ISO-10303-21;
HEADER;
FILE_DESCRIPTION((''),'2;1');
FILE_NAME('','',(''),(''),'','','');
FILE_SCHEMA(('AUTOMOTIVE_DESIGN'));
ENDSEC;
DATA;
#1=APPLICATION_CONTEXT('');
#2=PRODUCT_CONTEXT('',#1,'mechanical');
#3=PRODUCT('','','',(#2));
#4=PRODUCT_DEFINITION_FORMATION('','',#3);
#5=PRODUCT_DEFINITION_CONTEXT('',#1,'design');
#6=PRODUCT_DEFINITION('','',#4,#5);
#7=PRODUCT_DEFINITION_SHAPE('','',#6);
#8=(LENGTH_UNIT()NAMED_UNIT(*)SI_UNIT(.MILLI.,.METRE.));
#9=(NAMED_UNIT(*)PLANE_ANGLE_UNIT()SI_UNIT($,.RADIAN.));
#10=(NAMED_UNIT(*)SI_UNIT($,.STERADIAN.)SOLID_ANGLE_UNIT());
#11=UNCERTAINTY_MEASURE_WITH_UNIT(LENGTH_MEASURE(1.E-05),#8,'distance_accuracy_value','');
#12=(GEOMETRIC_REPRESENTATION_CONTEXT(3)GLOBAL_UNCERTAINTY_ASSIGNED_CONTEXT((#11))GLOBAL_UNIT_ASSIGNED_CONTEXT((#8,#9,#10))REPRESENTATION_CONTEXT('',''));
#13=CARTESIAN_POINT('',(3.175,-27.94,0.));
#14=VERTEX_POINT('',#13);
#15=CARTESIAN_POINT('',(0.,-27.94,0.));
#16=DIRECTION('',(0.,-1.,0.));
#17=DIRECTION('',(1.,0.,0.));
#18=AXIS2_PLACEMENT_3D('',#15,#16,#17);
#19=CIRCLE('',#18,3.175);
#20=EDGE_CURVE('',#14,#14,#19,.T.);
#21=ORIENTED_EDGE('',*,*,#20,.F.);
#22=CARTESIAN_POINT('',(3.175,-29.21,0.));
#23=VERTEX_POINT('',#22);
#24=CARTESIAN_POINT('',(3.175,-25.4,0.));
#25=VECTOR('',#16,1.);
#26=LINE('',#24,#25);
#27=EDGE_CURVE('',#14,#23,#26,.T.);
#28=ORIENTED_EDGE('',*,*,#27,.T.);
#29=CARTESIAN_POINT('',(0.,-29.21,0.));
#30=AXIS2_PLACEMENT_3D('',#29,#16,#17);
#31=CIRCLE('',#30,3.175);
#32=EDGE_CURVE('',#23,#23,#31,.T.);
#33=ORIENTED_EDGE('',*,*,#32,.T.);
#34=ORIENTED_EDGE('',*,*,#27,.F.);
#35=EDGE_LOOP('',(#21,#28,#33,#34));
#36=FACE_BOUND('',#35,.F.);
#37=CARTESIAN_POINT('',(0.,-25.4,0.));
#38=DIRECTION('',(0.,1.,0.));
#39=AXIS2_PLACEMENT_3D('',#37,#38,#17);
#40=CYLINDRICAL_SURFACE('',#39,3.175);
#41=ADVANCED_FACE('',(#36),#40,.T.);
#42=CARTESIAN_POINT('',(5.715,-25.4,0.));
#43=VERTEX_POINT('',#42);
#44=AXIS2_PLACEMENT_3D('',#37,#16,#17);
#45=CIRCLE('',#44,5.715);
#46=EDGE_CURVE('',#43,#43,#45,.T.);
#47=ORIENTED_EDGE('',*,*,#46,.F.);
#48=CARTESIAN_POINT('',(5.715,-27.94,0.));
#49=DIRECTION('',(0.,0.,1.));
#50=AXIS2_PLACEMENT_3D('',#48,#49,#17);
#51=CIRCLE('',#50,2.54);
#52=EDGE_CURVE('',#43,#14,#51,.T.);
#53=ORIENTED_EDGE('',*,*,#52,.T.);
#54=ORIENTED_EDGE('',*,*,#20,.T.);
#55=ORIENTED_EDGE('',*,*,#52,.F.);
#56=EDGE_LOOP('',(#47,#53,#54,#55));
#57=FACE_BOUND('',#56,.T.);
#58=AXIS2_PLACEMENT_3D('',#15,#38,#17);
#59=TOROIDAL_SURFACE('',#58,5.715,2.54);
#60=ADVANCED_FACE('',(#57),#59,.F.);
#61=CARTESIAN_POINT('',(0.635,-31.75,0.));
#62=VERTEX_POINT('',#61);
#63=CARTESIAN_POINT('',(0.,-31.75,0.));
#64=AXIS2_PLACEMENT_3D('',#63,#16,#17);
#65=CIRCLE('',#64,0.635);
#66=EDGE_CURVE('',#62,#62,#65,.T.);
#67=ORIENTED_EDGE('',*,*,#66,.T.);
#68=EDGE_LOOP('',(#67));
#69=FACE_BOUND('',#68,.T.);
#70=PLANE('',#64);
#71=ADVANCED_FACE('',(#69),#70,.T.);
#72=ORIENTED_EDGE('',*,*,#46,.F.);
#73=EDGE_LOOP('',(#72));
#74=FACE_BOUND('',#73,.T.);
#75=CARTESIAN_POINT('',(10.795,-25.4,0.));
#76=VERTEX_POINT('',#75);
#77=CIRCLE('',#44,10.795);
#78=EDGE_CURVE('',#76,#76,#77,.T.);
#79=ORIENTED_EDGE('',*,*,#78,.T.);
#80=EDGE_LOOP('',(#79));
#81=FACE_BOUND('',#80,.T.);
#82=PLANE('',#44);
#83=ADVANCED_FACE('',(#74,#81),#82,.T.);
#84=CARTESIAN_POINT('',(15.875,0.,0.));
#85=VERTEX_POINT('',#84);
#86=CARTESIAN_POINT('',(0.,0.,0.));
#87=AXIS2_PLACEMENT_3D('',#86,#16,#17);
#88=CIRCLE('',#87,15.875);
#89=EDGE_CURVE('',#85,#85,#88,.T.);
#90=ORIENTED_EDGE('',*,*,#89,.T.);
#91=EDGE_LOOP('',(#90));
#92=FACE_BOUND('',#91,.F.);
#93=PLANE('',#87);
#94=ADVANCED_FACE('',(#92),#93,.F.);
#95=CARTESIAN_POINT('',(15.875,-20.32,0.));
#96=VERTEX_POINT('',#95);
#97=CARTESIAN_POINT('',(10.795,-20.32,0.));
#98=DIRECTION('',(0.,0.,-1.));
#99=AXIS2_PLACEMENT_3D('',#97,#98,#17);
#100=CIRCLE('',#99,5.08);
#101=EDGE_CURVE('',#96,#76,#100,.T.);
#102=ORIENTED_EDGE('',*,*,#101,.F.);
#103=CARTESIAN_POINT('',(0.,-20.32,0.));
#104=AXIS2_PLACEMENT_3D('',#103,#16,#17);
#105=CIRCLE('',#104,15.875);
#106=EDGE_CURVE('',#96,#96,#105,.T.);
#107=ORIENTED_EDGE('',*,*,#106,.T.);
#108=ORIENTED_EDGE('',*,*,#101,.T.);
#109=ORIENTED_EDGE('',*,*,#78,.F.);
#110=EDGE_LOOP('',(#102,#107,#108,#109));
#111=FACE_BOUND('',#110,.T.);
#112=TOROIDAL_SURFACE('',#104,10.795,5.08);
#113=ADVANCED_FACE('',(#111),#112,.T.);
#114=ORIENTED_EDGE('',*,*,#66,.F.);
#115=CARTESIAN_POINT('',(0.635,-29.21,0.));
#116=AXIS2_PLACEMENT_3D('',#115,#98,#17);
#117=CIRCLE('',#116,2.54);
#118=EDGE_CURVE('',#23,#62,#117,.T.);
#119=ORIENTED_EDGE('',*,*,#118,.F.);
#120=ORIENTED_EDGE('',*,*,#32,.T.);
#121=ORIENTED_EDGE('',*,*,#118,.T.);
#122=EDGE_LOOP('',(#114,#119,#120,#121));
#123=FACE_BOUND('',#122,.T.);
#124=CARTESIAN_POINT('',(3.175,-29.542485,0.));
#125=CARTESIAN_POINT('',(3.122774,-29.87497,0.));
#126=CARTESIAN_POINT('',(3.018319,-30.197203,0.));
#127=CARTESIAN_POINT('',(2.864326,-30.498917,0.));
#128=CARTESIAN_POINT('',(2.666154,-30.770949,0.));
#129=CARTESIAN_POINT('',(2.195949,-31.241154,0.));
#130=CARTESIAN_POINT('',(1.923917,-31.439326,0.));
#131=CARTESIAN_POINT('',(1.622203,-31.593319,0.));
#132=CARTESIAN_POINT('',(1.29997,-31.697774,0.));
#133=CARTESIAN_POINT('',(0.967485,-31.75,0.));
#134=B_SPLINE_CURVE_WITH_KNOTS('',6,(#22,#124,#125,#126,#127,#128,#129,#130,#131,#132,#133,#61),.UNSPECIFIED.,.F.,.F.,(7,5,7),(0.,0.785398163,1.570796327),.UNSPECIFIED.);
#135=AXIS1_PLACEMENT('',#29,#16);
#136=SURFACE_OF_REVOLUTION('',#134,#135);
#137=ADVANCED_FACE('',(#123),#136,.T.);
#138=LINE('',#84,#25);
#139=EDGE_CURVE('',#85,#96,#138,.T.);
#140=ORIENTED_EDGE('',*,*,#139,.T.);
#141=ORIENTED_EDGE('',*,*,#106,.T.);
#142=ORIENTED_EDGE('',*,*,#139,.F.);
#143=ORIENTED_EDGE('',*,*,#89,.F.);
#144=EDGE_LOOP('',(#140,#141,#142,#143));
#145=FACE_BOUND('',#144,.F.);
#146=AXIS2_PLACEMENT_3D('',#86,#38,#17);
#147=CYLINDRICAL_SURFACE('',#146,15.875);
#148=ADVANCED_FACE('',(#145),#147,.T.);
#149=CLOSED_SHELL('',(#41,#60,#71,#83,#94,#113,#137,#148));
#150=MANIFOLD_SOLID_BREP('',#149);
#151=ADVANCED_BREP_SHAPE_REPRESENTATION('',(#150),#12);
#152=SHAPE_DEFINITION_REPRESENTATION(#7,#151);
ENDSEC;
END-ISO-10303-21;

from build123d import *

# Parameters (mm, degrees)
F0_R     = 15.875
F1_DEPTH = 25.4
F2_R     = 5.08
F3_R     = 3.175
F4_DEPTH = 6.35
F5_R     = 2.54


with BuildPart() as f1:
    # F0 (on Front) → F1 (new body)
    with BuildSketch(Plane.XZ):
        Circle(F0_R)
    extrude(amount=F1_DEPTH)

    # F2
    f2_edges = [f1.edges().sort_by_distance(p)[0] for p in [
        (-15.875, -25.4, 0),
    ]]
    fillet(f2_edges, radius=F2_R)

    # F3 (on face) → F4 (join)
    with BuildSketch(Plane.XZ.offset(25.4)):
        Circle(F3_R)
    extrude(amount=F4_DEPTH)

    # F5
    f5_edges = [f1.edges().sort_by_distance(p)[0] for p in [
        (-3.175, -31.75, 0),
        (-3.175, -25.4, 0),
    ]]
    fillet(f5_edges, radius=F5_R)


solid = f1.part
